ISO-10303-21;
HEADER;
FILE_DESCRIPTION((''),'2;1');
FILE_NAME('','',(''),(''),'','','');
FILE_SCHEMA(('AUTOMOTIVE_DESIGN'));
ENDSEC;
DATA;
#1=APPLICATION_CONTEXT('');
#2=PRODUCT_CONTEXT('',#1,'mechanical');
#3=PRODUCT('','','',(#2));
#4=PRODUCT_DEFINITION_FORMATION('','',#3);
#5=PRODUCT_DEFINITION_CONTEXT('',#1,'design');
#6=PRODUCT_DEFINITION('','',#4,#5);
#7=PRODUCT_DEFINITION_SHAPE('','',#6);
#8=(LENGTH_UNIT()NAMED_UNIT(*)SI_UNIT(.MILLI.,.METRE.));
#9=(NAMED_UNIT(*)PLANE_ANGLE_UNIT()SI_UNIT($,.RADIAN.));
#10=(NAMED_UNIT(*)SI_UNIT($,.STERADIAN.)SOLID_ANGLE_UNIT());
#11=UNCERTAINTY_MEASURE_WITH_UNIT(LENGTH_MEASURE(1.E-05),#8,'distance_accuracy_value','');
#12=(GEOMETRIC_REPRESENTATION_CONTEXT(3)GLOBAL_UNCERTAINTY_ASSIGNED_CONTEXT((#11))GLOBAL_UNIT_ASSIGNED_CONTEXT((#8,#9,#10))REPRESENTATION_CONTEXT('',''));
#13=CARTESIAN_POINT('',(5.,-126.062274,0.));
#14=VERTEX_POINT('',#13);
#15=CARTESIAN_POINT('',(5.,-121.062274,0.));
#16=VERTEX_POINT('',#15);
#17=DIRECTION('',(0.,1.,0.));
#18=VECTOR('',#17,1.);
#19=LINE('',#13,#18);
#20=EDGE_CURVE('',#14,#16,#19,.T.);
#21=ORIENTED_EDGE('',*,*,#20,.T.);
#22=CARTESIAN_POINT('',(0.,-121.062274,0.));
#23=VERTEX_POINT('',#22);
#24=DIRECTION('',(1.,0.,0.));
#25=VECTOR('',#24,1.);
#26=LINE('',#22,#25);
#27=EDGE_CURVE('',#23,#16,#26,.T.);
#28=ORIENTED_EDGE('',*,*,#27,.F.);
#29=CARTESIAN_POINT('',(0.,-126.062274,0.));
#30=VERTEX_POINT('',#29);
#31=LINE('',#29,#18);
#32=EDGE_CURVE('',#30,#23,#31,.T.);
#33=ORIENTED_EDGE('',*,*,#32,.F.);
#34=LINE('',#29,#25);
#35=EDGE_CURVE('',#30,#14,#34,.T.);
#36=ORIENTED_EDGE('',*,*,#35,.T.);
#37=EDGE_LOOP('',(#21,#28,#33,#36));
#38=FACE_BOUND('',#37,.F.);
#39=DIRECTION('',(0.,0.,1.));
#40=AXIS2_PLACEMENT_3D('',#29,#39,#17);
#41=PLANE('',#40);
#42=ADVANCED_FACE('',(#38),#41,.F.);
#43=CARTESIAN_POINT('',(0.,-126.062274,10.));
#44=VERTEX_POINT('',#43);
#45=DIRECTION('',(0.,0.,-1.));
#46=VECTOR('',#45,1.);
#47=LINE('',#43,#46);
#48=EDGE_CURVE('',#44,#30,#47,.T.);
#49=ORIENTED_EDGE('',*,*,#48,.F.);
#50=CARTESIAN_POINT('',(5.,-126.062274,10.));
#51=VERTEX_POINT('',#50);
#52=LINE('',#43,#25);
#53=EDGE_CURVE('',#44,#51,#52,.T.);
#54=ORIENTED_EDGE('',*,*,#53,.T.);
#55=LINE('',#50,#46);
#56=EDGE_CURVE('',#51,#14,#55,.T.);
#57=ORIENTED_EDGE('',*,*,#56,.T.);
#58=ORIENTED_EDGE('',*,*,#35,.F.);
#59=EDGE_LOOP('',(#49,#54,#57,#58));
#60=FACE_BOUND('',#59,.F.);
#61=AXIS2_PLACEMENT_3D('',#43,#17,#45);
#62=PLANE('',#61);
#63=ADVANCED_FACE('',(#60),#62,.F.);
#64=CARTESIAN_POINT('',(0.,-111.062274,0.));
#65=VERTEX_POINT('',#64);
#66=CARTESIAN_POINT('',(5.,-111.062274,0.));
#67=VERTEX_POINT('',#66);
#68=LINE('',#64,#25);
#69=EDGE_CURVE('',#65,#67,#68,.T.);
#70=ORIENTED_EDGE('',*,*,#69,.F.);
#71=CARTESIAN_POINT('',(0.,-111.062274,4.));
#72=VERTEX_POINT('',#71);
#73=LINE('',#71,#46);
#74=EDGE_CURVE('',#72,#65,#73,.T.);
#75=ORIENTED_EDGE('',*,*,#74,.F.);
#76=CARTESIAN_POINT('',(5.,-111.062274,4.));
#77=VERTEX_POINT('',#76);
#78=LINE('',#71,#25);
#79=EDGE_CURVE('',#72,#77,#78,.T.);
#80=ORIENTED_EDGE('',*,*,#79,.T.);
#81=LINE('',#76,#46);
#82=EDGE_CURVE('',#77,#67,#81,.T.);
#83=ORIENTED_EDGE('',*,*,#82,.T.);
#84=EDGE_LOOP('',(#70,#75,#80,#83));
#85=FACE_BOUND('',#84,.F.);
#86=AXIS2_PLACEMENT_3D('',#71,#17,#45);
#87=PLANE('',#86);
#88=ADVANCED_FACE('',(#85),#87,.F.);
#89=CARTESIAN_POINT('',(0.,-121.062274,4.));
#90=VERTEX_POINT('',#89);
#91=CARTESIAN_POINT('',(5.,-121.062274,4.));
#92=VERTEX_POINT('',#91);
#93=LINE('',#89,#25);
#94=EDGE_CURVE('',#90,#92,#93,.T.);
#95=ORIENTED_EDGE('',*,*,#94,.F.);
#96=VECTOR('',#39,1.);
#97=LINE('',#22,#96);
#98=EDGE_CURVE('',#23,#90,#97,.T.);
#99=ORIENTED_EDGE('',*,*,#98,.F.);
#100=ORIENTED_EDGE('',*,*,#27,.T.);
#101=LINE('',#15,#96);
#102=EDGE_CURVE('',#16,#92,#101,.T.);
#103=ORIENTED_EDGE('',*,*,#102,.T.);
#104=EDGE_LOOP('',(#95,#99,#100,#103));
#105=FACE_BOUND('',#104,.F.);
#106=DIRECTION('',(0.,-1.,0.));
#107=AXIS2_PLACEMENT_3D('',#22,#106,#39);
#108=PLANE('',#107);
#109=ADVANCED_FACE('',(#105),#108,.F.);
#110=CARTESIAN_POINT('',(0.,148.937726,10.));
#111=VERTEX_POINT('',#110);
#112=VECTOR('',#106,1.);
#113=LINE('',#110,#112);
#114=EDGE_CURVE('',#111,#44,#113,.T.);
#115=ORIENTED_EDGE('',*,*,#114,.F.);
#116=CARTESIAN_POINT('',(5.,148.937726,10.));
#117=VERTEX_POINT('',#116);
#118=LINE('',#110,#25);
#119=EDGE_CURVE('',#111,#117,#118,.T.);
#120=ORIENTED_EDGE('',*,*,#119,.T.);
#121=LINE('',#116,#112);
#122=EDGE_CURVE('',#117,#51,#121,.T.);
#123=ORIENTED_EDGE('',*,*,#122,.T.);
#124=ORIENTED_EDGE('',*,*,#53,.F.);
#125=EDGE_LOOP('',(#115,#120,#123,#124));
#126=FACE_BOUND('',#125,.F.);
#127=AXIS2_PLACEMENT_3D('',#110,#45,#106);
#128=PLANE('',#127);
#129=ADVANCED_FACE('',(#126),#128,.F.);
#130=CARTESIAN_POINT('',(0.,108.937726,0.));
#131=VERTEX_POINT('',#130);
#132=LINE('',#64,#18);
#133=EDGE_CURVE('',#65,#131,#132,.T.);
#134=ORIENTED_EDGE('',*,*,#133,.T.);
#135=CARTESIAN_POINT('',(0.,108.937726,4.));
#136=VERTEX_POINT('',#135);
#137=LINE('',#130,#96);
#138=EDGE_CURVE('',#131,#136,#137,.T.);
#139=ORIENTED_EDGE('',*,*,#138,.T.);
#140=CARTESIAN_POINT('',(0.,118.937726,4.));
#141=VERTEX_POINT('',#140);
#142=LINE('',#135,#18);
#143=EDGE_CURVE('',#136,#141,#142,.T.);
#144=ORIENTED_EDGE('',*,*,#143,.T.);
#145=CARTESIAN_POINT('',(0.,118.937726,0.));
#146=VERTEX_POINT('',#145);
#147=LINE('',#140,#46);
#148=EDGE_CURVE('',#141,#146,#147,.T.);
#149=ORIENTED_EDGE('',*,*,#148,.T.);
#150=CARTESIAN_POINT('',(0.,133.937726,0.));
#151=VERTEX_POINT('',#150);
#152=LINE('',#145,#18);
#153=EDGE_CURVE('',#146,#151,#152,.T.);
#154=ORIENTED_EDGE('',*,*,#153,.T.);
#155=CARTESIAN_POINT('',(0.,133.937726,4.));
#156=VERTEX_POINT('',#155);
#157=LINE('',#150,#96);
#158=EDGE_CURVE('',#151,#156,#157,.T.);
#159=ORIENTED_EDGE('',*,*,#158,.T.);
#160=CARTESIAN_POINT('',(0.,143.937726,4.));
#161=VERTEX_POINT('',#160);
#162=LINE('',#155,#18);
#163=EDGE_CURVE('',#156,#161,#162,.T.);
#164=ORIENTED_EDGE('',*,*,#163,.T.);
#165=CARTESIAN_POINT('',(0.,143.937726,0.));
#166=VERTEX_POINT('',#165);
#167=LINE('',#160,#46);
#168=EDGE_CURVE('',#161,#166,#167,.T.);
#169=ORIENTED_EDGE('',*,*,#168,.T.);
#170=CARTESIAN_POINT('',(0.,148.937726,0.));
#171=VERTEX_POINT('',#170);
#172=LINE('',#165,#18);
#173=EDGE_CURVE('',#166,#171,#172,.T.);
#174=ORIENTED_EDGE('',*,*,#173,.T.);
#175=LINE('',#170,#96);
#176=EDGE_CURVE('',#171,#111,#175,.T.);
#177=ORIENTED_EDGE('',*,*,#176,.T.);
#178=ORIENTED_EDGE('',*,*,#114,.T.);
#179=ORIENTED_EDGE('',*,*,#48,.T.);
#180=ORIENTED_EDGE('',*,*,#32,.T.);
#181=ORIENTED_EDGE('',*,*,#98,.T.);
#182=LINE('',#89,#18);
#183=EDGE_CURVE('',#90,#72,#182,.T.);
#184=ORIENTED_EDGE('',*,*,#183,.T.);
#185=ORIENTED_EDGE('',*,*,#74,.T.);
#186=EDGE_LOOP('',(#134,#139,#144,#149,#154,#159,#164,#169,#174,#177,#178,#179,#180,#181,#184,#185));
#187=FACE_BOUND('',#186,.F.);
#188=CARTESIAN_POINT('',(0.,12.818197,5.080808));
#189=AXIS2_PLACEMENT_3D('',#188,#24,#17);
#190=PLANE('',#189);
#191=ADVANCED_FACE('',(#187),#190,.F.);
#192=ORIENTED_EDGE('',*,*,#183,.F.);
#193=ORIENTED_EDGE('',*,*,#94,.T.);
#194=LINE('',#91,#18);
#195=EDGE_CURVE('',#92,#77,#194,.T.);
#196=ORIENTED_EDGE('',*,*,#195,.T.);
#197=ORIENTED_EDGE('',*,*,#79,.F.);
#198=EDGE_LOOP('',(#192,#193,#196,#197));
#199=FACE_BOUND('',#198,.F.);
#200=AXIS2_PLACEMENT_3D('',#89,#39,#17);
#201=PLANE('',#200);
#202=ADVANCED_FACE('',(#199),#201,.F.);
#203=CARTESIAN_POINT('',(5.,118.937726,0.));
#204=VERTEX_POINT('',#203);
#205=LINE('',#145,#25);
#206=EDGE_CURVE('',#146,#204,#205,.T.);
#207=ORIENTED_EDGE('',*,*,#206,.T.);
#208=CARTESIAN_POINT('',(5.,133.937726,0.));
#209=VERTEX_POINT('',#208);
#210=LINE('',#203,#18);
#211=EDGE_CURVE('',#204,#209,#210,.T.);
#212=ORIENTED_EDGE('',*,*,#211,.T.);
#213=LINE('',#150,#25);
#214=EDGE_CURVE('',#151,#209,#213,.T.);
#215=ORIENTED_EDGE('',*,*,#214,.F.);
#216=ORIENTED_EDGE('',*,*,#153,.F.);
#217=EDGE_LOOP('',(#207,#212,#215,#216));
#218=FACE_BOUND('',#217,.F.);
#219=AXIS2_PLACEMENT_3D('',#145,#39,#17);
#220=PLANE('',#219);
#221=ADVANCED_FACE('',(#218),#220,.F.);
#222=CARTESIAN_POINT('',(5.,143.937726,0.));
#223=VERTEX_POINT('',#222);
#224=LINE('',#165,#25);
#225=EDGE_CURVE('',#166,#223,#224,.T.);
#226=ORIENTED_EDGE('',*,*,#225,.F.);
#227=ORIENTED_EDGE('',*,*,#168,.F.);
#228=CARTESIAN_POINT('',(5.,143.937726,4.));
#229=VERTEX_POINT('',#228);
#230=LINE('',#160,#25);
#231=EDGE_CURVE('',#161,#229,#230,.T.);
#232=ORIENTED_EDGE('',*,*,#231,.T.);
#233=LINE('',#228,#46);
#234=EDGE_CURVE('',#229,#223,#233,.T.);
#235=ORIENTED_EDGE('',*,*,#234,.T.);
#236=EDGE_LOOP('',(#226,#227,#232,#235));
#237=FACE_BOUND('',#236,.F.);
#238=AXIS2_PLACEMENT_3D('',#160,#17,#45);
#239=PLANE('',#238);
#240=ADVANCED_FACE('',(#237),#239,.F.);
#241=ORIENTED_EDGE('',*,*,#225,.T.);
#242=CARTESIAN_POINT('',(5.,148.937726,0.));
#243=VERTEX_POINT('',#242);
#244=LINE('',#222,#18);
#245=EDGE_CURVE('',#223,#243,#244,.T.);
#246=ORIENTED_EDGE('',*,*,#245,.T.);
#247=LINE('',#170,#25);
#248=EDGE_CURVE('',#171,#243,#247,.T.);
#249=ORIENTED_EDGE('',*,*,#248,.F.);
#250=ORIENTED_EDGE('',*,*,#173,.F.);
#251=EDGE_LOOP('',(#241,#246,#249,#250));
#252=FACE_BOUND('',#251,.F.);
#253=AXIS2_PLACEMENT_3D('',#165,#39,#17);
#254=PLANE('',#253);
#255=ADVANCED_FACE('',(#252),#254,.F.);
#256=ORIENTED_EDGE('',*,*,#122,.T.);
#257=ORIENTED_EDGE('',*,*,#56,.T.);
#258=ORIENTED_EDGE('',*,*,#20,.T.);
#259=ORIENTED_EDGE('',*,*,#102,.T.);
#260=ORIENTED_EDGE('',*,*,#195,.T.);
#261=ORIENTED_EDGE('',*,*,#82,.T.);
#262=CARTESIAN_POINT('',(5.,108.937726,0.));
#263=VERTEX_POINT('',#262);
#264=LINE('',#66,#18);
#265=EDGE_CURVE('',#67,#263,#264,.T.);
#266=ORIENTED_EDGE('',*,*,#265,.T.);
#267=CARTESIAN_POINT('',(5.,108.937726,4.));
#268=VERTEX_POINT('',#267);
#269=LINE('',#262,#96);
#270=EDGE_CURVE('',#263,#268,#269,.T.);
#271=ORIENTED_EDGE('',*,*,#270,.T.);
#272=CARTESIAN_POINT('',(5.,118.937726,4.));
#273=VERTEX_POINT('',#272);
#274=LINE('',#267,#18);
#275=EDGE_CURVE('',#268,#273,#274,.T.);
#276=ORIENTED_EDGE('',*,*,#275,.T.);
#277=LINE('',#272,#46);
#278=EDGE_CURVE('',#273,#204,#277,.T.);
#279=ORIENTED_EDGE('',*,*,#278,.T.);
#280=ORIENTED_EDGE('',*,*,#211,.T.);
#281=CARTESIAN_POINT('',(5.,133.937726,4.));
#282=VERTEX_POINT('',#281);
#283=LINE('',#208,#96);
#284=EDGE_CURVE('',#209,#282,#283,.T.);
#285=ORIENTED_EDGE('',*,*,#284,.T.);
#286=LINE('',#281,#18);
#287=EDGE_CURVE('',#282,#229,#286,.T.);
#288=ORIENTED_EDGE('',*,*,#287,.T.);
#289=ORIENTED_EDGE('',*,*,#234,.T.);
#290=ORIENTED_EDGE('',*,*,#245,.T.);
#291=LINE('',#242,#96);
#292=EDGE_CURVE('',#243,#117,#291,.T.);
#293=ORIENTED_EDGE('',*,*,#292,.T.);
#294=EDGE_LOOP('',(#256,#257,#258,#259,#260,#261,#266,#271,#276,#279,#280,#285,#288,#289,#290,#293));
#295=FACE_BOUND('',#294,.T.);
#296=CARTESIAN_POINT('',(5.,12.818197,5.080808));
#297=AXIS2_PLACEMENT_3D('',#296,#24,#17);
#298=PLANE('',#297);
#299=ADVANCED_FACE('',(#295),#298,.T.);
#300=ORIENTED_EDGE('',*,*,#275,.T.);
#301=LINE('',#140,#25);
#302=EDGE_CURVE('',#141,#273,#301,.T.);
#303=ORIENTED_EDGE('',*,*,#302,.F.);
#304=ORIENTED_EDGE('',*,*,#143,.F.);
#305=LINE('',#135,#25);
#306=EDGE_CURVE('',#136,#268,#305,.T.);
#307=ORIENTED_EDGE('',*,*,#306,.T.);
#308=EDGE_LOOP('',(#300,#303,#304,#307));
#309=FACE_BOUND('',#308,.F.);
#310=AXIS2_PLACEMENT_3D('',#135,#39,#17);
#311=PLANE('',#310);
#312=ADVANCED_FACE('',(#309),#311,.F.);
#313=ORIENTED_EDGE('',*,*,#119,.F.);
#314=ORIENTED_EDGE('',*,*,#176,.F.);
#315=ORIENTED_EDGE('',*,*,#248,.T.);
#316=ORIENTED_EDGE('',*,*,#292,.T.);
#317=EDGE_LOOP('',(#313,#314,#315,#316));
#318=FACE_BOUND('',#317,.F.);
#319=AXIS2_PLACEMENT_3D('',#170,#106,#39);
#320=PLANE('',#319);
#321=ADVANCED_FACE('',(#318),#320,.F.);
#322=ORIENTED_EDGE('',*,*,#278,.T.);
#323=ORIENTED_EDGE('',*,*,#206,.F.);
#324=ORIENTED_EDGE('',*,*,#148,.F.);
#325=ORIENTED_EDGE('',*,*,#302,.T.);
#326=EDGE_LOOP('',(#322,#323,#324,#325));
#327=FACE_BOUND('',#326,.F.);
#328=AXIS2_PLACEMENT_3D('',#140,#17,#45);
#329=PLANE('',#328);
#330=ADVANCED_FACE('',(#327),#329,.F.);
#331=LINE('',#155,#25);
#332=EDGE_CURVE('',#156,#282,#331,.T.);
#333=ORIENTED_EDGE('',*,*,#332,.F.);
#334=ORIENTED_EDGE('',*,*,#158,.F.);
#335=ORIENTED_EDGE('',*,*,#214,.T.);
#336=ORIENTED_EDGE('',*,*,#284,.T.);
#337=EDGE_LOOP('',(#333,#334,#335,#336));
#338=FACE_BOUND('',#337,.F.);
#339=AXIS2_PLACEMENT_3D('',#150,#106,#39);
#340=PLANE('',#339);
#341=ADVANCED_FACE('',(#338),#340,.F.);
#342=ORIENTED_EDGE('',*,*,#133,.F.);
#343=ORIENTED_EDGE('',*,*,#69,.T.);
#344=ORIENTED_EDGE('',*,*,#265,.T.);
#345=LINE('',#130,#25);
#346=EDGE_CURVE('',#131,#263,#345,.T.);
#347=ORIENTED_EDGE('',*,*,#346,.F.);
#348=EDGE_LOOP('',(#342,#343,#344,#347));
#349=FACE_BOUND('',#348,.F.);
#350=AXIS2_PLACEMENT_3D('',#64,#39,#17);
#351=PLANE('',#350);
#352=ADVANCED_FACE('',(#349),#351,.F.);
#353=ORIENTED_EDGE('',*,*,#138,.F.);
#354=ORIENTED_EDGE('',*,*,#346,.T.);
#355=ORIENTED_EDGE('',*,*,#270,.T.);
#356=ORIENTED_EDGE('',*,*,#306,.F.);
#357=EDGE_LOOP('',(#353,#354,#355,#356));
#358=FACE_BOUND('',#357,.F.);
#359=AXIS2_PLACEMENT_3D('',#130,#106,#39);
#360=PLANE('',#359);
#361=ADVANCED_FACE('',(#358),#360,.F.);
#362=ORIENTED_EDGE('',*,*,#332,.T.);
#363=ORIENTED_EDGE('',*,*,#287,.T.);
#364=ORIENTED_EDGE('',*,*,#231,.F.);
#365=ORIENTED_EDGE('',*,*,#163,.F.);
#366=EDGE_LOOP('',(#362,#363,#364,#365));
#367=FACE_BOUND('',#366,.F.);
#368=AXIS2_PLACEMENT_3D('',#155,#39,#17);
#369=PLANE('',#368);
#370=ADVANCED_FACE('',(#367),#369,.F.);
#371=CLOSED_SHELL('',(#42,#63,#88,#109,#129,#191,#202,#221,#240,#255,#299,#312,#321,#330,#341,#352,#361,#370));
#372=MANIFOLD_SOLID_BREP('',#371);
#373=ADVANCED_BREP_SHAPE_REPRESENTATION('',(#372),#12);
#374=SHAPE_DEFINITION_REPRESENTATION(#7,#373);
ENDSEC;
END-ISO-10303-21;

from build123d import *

# Parameters (mm, degrees)
F1_DEPTH = 5


with BuildPart() as f1:
    # F0 (on Right) → F1 (new body)
    with BuildSketch(Plane.YZ):
        Polygon((-111.062274, 4), (-111.062274, 0), (108.937726, 0), (108.937726, 4), (118.937726, 4), (118.937726, 0), (133.937726, 0), (133.937726, 4), (143.937726, 4), (143.937726, 0), (148.937726, 0), (148.937726, 10), (-126.062274, 10), (-126.062274, 0), (-121.062274, 0), (-121.062274, 4), align=None)
    extrude(amount=F1_DEPTH)


solid = f1.part
